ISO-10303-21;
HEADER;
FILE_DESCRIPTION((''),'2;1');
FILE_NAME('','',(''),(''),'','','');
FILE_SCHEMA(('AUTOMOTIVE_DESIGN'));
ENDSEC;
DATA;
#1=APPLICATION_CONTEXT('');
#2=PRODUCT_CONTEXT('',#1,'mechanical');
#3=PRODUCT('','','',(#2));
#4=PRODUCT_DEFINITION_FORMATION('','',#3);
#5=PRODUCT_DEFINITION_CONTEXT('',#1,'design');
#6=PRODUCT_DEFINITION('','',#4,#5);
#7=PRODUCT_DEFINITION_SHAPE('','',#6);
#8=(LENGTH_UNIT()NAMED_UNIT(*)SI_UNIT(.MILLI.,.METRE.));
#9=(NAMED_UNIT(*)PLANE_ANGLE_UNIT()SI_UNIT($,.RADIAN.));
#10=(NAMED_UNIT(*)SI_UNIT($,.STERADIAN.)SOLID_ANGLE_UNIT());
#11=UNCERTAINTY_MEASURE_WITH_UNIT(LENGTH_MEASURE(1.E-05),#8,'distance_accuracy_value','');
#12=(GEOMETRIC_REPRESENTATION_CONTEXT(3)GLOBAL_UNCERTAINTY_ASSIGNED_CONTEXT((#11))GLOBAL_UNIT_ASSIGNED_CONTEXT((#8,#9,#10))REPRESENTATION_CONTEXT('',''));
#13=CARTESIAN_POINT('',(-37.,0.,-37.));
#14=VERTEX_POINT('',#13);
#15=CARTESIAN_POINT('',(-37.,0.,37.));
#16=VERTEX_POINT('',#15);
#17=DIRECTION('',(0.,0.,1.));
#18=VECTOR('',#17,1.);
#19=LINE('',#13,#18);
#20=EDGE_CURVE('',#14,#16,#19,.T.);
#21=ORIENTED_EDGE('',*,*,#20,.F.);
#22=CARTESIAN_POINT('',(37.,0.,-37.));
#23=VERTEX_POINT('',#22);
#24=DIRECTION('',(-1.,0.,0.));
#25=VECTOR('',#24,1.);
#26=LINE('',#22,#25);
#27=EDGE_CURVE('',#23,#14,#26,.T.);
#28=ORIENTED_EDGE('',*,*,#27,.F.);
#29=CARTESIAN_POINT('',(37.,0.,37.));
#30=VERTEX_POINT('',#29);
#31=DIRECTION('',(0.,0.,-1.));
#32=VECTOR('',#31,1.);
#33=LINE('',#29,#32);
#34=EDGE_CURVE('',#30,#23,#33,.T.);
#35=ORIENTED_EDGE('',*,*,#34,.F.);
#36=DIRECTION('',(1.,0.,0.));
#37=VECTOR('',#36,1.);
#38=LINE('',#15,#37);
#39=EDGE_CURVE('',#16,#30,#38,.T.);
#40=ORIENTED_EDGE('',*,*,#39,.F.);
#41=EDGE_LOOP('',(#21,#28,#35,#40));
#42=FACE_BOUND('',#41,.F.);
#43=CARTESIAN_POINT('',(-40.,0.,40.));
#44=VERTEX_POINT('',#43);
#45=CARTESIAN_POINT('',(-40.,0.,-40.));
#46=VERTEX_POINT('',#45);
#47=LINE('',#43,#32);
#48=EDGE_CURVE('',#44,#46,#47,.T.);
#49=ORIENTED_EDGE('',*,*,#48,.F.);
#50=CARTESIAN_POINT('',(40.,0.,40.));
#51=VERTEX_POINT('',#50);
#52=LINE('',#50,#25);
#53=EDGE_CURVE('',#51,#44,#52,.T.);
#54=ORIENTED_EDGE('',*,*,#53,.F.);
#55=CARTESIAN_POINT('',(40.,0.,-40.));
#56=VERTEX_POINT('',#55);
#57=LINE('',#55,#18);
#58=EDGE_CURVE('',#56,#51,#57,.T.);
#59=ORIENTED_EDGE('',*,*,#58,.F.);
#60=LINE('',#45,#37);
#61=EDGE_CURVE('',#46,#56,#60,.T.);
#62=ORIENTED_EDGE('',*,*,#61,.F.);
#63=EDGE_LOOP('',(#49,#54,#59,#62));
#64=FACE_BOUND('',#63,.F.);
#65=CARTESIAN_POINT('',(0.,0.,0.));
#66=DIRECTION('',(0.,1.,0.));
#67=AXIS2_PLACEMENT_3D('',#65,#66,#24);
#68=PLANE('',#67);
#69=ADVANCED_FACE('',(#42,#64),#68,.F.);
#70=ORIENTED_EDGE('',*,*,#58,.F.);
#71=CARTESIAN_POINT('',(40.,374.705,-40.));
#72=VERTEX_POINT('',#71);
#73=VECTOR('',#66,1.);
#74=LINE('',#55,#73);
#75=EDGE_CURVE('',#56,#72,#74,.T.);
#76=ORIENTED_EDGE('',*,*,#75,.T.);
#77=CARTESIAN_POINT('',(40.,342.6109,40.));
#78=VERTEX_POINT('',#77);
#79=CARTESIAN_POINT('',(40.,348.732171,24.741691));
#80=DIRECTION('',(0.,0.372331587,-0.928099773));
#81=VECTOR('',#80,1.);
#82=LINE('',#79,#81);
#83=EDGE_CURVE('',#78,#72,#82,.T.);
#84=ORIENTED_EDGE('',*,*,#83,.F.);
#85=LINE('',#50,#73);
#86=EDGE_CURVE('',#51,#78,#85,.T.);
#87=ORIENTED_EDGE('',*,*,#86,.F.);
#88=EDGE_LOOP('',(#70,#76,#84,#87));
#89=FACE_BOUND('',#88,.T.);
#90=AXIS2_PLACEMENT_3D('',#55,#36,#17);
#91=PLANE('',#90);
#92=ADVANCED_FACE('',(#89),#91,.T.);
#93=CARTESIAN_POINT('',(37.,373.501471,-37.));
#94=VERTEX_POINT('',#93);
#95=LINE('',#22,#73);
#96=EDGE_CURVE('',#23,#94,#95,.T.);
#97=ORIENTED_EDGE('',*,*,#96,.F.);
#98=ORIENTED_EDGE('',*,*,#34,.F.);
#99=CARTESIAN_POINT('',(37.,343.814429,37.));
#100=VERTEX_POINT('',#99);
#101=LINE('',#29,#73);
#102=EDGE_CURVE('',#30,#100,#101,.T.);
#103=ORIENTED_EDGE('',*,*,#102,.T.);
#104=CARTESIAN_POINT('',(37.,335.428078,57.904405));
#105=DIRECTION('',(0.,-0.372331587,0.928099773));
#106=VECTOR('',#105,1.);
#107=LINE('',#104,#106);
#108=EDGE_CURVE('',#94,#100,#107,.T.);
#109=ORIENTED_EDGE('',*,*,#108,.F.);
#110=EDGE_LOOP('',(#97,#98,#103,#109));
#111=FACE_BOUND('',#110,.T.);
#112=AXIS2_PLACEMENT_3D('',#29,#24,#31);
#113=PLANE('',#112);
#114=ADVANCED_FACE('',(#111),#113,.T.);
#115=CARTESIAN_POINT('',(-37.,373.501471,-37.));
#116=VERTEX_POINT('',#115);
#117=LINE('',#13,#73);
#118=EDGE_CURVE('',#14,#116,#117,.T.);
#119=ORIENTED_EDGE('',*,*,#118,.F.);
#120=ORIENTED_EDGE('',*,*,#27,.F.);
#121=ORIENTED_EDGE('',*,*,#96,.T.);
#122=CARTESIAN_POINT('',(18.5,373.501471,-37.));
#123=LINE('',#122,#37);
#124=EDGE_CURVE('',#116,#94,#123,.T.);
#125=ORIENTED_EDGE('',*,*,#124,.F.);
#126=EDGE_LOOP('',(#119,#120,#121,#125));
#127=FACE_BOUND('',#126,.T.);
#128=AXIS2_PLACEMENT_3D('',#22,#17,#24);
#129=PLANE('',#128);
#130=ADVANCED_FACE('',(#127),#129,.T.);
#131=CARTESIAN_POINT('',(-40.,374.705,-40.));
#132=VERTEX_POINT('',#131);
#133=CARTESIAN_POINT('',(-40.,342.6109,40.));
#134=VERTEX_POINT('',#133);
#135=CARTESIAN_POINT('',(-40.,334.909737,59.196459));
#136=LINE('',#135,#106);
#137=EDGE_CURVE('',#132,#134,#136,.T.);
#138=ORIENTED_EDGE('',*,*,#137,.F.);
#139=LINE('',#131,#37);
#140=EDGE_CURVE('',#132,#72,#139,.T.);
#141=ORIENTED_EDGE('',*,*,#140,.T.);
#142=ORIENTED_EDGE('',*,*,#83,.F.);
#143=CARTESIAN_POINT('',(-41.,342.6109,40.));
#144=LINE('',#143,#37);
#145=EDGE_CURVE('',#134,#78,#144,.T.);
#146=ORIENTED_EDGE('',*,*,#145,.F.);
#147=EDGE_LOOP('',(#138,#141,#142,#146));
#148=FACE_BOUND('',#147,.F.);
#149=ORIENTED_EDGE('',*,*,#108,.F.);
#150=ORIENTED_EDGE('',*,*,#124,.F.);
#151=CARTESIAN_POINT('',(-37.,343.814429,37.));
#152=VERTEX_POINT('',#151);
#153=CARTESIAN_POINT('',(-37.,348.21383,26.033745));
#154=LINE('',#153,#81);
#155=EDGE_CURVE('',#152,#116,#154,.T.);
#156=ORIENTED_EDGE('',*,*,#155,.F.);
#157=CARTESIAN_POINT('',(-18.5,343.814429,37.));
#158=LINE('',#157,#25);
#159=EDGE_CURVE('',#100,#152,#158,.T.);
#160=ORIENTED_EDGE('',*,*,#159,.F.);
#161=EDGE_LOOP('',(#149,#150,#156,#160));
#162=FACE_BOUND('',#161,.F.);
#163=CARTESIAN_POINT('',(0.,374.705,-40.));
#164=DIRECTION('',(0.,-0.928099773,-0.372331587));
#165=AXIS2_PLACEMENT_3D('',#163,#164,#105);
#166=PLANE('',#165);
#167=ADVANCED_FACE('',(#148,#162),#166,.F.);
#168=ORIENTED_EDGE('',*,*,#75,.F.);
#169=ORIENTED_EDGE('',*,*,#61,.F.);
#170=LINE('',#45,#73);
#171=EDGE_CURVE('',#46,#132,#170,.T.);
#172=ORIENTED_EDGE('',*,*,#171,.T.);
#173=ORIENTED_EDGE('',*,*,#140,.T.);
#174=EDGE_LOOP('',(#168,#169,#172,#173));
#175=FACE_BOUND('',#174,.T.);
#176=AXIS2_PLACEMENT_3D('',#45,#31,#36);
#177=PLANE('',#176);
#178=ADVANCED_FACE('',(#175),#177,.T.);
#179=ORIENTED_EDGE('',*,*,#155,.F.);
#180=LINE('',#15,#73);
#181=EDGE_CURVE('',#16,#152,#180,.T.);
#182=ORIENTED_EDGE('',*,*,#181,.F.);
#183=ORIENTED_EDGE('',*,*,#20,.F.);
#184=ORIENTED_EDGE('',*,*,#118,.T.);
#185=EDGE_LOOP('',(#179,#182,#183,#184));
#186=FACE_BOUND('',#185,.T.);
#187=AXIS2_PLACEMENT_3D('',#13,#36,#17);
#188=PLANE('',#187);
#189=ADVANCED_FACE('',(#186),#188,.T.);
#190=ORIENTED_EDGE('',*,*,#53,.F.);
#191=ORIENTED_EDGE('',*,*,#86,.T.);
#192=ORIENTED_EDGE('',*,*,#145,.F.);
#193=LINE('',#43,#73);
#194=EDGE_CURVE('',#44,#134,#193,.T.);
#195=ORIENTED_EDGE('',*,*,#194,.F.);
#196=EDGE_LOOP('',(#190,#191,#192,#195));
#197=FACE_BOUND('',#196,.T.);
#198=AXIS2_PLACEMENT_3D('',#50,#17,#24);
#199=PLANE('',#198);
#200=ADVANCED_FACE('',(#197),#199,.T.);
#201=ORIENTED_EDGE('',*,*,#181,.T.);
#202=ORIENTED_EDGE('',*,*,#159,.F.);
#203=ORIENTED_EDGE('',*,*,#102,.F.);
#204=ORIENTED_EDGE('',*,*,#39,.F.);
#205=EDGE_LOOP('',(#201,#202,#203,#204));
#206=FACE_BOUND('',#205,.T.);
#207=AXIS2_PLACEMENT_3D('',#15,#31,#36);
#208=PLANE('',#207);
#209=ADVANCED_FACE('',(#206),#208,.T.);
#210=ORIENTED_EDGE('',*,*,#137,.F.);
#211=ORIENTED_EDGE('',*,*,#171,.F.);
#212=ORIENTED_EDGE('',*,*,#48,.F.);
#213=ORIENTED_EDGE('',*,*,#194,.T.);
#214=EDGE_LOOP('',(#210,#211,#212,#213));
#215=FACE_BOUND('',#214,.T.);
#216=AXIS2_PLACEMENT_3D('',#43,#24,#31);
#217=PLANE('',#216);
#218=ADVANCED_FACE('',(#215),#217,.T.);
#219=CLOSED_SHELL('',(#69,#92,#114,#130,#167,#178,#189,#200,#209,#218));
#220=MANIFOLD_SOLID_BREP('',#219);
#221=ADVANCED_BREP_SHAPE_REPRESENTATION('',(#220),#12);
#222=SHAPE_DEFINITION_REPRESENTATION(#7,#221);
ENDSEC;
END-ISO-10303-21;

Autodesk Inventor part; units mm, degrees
ref_plane "YZ Plane" through (0, 0, 0) normal (1, 0, 0) x (0, 1, 0)
ref_plane "XZ Plane" through (0, 0, 0) normal (0, 1, 0) x (-1, 0, 0)
ref_plane "XY Plane" through (0, 0, 0) normal (0, 0, 1) x (1, 0, 0)
sketch "Sketch1" plane through (0, 0, 0) normal (0, 1, 0) x (-1, 0, 0)
  line L0 (40, -40) -> (-40, -40)
  line L1 (-40, -40) -> (-40, 40)
  line L2 (-40, 40) -> (40, 40)
  line L3 (40, 40) -> (40, -40)
  line L4 (40, -40) -> (-40, 40) construction
  line L5 (-40, -40) -> (40, 40) construction
  line L6 (-37, -37) -> (37, -37)
  line L7 (37, -37) -> (37, 37)
  line L8 (37, 37) -> (-37, 37)
  line L9 (-37, 37) -> (-37, -37)
  point P0 (0, 0)
  dimension "d0" = 3
  dimension "d1" = 80
extrude "Extrusion1" add sketch "Sketch1" along normal blind 374.705
sketch "Sketch2" plane through (0, 0, 0) normal (1, 0, 0) x (0, 1, 0)
  line L0 (0, 40) -> (0, -40) construction
  line L1 (0, -40) -> (374.705, -40) projected
  line L2 (374.705, 40) -> (374.705, -40) projected
  line L3 (0, 40) -> (374.705, 40) projected
  line L4 (0, -40) -> (374.705, -40) projected
  line L5 (374.705, -40) -> (342.6109, 40)
  point P0 (0, 0)
  dimension "d4" = 21.86
extrude "Extrusion2" cut sketch "Sketch2" along normal through all both and the other way through all
equation "\"d1\" = Legs_Tube_dim"
equation "\"d4\" = Legs_Tube_cut_angle"
equation "\"Legs_Tube_dim\" = 80"
properties part number "PRS 9681 leg tube_D1200 940"
